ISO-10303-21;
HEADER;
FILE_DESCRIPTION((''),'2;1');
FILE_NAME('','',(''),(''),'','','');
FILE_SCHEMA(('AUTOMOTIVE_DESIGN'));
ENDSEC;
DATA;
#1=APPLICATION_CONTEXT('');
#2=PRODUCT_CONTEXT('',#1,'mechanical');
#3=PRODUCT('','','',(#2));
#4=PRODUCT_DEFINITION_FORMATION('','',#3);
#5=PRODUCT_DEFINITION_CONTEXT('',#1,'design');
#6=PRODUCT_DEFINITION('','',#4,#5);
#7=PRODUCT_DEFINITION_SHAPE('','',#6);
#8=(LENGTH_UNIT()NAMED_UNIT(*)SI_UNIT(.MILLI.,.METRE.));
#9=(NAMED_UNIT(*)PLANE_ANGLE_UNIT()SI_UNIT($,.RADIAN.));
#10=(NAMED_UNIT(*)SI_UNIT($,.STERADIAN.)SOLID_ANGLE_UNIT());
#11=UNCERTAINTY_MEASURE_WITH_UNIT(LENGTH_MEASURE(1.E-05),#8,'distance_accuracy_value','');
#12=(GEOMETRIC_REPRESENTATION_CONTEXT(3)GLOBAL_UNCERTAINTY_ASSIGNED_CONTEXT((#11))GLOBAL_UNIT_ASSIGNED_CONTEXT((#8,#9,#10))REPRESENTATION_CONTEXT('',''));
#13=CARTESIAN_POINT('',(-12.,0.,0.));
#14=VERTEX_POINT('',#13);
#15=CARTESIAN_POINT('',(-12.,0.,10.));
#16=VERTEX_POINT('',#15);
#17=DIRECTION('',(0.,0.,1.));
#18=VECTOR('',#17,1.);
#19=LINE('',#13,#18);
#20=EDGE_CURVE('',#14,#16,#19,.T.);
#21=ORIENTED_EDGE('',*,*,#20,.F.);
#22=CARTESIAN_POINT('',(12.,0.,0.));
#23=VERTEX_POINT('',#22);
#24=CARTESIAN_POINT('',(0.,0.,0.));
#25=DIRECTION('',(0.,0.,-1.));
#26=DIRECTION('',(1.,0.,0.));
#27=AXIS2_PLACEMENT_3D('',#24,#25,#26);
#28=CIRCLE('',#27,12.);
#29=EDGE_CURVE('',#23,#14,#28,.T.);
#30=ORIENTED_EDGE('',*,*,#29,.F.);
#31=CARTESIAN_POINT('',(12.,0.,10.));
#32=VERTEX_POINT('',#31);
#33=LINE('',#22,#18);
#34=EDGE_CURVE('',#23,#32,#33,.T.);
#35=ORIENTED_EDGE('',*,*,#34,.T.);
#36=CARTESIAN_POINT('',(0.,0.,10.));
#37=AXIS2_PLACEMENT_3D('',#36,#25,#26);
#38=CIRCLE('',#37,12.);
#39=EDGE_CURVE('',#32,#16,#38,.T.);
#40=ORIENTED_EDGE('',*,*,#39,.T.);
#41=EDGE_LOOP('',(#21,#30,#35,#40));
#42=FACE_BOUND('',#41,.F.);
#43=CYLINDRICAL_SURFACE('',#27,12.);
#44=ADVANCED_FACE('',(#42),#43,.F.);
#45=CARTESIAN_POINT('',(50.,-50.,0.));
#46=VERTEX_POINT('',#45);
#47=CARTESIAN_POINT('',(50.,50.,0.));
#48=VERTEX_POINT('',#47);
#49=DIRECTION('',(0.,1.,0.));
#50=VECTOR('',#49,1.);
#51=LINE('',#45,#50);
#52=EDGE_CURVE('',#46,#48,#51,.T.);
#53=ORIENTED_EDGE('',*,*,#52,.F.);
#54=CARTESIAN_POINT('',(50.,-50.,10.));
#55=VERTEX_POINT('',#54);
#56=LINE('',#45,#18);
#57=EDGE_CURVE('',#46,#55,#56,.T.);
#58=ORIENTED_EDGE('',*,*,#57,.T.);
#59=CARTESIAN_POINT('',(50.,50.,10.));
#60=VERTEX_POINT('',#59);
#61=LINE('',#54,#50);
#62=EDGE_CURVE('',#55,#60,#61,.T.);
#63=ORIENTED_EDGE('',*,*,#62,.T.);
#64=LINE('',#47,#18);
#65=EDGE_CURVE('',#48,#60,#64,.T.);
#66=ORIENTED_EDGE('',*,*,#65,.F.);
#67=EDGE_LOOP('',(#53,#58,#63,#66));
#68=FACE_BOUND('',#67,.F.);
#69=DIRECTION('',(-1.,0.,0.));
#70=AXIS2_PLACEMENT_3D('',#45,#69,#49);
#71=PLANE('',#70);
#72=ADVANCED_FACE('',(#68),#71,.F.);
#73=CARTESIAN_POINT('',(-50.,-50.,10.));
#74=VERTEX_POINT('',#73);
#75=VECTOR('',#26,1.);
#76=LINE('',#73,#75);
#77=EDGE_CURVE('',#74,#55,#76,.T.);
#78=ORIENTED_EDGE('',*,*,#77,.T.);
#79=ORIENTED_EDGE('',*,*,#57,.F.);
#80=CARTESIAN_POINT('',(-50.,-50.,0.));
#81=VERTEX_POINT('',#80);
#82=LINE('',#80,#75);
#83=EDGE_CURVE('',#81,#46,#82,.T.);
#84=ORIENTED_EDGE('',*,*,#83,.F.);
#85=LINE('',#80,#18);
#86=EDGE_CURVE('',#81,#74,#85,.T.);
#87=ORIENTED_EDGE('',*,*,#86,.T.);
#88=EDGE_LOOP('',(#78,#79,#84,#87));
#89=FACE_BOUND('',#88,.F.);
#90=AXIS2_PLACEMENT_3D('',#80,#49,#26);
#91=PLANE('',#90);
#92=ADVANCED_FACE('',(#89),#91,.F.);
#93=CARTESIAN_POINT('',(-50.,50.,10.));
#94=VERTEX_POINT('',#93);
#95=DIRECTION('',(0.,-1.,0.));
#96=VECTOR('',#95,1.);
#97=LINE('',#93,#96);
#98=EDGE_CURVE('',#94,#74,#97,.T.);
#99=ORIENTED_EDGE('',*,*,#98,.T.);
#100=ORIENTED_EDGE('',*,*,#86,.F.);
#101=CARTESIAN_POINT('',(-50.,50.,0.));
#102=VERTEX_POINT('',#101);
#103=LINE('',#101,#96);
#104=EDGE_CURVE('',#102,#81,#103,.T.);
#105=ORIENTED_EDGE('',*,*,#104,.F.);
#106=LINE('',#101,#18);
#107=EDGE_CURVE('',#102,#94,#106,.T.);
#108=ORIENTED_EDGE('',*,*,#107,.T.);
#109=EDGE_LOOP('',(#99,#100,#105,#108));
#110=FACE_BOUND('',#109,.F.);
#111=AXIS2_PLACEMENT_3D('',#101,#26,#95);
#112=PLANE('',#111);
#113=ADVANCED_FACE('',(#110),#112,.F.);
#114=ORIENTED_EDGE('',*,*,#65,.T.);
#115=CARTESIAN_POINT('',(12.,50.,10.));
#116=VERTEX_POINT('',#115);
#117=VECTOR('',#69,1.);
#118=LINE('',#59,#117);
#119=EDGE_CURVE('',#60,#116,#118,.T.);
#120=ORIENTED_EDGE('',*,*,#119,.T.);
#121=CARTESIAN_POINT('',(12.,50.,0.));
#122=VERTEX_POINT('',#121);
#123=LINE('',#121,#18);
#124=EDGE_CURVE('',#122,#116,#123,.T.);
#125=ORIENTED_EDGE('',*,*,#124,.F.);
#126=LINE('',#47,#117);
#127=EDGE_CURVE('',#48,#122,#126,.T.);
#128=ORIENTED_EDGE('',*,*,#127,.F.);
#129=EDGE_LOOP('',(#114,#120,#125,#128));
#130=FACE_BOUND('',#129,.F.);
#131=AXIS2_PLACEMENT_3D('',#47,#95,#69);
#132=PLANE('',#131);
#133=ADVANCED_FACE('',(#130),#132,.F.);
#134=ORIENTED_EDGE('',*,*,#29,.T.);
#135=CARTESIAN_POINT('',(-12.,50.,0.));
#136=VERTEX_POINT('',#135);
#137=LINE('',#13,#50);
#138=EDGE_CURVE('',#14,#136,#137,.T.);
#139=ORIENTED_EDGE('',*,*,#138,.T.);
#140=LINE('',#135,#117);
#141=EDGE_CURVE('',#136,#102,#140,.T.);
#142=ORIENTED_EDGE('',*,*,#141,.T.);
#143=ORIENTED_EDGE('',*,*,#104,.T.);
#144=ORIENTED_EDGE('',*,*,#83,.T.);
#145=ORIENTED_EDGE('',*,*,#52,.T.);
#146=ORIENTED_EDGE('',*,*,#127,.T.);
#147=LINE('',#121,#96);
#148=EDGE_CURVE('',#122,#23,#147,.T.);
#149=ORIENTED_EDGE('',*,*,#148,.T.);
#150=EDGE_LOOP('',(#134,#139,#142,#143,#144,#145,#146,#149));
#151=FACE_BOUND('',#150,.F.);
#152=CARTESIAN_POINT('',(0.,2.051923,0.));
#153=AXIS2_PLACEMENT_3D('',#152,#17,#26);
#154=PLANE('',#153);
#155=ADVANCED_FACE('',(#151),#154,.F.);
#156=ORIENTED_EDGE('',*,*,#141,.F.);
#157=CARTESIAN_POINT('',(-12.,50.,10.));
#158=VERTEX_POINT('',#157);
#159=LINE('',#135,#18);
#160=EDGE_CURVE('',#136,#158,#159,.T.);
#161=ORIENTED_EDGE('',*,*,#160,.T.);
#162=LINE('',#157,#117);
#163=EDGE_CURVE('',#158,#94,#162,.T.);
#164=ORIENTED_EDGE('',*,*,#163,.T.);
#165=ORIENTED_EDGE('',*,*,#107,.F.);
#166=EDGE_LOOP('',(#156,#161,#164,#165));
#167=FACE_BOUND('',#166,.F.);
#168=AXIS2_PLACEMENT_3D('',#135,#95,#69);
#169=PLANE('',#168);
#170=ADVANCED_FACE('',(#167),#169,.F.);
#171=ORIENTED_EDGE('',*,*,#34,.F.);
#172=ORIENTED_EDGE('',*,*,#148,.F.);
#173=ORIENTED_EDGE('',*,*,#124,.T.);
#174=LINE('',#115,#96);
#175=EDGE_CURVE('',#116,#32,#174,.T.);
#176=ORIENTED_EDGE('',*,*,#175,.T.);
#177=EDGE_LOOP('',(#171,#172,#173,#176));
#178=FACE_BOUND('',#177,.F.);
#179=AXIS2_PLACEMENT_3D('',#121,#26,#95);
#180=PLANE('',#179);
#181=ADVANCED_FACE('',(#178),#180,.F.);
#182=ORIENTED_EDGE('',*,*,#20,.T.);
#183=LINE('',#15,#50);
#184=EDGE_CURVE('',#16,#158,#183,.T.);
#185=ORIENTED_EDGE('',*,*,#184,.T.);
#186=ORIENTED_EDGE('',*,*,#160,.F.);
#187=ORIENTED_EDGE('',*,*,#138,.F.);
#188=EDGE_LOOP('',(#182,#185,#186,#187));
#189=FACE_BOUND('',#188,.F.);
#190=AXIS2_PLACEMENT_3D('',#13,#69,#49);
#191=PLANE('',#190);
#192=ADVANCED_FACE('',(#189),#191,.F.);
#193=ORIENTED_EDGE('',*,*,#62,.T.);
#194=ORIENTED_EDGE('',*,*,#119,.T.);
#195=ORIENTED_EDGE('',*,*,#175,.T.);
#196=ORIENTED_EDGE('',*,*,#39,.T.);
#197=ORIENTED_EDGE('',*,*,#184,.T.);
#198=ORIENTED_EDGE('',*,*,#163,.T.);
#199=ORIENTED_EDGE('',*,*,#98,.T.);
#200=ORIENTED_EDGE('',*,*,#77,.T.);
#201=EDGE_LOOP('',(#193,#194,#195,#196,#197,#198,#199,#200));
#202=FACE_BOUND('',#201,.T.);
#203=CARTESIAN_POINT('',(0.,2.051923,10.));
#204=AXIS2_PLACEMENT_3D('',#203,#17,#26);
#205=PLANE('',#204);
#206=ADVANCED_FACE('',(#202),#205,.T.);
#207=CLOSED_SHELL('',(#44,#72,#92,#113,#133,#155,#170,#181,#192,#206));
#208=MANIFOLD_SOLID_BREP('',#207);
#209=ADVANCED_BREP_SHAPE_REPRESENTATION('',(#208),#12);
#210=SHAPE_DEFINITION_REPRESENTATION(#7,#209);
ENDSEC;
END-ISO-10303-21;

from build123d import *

# Parameters (mm, degrees)
F1_DEPTH = 10


with BuildPart() as f1:
    # F0 (on Top) → F1 (new body)
    with BuildSketch(Plane.XY):
        with BuildLine():
            Line((-12, 50), (-50, 50))
            Line((-50, 50), (-50, -50))
            Line((-50, -50), (50, -50))
            Line((50, -50), (50, 50))
            Line((50, 50), (12, 50))
            Line((12, 50), (12, 0))
            ThreePointArc((12, 0), (0, -12), (-12, 0))
            Line((-12, 0), (-12, 50))
        make_face()
    extrude(amount=F1_DEPTH)


solid = f1.part
